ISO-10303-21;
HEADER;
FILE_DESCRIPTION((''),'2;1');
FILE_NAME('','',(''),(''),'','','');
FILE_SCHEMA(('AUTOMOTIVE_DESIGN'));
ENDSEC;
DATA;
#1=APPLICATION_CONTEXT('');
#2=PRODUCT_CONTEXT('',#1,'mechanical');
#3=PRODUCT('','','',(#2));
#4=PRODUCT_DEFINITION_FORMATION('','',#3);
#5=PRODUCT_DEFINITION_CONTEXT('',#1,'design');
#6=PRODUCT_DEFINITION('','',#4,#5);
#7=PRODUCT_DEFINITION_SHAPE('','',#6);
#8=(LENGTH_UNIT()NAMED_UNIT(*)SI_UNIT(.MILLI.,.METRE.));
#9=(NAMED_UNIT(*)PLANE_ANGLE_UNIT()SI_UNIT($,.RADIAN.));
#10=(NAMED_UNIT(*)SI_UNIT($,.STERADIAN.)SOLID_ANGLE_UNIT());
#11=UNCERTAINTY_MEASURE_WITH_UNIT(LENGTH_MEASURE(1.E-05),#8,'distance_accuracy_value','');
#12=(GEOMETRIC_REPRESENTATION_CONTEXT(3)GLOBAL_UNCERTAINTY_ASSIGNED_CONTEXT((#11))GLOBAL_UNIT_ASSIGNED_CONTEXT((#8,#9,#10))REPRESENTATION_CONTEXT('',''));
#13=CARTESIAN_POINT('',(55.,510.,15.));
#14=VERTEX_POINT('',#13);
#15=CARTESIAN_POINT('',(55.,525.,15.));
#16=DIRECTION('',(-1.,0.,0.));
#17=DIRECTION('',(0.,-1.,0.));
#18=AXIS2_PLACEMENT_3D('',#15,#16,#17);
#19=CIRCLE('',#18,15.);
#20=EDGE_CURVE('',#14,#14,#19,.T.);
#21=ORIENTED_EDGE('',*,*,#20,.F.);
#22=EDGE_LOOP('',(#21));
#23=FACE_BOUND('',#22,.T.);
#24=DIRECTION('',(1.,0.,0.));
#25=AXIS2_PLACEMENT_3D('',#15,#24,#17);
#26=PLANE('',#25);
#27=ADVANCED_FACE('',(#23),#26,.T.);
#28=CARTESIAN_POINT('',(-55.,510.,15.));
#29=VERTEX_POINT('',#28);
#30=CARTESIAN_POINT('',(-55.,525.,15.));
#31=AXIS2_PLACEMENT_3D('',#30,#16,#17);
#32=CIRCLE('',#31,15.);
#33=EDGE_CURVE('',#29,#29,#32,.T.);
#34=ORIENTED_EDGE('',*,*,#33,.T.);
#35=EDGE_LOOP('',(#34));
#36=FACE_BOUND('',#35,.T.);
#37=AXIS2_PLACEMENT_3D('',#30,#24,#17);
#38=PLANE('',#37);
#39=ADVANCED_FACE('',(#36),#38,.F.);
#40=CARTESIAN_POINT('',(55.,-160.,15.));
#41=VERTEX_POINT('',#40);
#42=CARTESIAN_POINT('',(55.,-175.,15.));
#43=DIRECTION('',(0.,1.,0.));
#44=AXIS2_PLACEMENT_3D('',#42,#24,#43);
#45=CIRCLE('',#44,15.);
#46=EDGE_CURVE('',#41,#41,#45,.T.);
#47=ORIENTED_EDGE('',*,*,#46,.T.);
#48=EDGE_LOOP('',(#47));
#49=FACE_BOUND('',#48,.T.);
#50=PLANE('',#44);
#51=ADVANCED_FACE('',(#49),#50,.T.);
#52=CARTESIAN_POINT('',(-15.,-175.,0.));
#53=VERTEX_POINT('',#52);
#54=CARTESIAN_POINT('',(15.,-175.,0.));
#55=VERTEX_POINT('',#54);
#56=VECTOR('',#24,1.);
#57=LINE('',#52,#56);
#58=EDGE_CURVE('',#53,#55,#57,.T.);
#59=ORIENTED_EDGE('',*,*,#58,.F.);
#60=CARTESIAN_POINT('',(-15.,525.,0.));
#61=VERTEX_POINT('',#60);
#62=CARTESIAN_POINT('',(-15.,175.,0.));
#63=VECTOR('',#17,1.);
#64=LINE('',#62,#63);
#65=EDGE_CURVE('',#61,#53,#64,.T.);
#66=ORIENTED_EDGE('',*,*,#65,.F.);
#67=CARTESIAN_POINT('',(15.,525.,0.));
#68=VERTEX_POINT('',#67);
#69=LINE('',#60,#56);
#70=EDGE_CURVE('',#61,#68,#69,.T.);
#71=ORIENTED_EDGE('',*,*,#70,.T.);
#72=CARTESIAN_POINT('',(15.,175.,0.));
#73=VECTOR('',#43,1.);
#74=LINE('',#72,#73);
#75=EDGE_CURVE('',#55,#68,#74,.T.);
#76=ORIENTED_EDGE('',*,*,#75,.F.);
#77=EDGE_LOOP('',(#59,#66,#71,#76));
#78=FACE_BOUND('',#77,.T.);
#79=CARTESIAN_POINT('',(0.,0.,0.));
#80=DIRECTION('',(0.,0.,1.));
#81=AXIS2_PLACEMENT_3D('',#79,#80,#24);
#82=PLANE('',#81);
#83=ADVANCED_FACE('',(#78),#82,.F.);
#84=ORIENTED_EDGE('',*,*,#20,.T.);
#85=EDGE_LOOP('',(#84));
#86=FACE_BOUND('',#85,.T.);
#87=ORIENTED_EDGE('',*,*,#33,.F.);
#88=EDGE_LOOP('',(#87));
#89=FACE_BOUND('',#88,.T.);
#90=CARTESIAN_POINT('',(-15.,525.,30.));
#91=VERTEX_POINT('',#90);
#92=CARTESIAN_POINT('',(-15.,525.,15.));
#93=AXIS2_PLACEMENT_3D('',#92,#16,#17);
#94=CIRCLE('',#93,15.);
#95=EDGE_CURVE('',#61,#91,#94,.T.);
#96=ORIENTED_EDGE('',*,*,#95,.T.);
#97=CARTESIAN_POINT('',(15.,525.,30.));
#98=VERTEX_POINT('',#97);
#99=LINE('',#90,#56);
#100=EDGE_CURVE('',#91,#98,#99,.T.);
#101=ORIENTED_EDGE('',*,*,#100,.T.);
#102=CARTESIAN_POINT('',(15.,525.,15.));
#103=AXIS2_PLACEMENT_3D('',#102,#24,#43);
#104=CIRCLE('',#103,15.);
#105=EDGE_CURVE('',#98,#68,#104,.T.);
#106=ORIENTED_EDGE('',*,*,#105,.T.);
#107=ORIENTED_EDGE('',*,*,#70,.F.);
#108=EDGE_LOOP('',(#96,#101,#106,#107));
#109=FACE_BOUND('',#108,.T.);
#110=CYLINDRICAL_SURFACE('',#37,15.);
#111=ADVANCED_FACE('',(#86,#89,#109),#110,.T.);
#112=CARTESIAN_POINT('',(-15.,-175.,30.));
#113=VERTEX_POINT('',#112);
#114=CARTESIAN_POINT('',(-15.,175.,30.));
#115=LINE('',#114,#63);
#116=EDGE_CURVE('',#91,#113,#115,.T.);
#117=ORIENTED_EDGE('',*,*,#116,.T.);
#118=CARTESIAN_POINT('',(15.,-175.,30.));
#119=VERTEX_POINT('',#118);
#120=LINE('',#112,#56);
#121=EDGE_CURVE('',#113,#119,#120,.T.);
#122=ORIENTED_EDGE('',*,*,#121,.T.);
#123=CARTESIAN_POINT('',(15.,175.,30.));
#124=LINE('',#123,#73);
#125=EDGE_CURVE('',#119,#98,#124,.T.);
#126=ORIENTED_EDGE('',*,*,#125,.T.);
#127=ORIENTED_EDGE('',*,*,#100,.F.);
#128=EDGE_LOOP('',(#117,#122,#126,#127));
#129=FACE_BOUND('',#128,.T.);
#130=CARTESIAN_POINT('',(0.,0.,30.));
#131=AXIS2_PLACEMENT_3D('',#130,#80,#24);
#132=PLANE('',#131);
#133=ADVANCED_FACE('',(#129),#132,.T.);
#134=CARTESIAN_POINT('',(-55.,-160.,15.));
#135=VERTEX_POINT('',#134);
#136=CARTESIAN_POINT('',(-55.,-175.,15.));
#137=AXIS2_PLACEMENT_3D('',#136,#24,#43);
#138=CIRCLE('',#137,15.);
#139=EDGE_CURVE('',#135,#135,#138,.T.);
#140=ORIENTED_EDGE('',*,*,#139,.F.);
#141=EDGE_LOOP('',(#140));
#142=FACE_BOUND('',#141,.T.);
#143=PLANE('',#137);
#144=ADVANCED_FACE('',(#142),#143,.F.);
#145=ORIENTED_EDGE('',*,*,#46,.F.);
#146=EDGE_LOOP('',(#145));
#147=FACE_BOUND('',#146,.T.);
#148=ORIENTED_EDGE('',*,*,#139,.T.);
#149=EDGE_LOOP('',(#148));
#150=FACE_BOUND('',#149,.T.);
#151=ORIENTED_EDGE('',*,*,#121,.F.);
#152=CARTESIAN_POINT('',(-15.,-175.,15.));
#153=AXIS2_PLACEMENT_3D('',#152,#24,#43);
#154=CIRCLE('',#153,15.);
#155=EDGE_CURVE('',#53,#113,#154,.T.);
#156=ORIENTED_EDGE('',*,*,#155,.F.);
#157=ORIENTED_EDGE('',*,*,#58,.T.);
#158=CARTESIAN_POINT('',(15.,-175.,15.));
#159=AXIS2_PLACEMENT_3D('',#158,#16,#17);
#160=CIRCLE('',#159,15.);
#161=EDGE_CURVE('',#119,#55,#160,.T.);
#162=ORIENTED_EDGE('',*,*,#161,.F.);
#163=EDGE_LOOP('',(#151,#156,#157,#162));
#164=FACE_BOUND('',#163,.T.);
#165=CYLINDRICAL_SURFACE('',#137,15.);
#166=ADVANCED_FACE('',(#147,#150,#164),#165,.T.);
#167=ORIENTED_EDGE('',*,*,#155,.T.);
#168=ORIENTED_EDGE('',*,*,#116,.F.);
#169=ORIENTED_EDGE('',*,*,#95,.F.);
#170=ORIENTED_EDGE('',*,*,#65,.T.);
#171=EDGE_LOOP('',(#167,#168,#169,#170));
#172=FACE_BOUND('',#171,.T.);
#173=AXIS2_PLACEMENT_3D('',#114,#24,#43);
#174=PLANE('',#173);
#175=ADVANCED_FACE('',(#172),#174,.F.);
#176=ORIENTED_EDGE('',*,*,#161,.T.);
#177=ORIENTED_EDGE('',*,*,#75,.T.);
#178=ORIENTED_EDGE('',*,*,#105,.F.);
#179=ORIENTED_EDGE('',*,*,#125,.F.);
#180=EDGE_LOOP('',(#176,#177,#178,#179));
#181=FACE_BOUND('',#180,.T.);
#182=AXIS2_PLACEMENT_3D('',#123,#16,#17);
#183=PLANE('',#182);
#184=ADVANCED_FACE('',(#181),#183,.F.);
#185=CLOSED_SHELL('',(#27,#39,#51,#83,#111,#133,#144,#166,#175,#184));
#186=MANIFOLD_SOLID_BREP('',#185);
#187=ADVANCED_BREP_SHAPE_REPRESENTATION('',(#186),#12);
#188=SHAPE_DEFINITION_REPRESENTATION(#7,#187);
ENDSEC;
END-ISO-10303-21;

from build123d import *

# Parameters (mm, degrees)
SKETCH1_W                = 30
SKETCH1_H                = 350
BOSS_EXTRUDE1_DEPTH      = 30
BOSS_EXTRUDE2_DEPTH      = 40
BOSS_EXTRUDE2_DEPTH_BACK = 70
SKETCH2_R                = 15


with BuildPart() as part:
    # Sketch1 → Boss-Extrude1 (new body)
    with BuildSketch(Plane.XY):
        Rectangle(SKETCH1_W, SKETCH1_H)
    extrude(amount=BOSS_EXTRUDE1_DEPTH)

    # Sketch2 → Boss-Extrude2 (add, two sides: drawn at the far end of the back side and taken through both)
    with BuildSketch(Plane(origin=(15, 0, 0), x_dir=(0, 0, -1), z_dir=(1, 0, 0)).offset(-BOSS_EXTRUDE2_DEPTH_BACK)):
        with Locations(Location((-15, -175, 0), (0, 0, 90))):
            Circle(SKETCH2_R)
    extrude(amount=BOSS_EXTRUDE2_DEPTH + BOSS_EXTRUDE2_DEPTH_BACK)

    # Mirror1: part across plane


with BuildPart() as part_1:
    add(part.part)
    add(part.part.mirror(Plane(origin=(-15, 175, 30), x_dir=(0, 0, 1), z_dir=(0, -1, 0))))


solid = part_1.part
